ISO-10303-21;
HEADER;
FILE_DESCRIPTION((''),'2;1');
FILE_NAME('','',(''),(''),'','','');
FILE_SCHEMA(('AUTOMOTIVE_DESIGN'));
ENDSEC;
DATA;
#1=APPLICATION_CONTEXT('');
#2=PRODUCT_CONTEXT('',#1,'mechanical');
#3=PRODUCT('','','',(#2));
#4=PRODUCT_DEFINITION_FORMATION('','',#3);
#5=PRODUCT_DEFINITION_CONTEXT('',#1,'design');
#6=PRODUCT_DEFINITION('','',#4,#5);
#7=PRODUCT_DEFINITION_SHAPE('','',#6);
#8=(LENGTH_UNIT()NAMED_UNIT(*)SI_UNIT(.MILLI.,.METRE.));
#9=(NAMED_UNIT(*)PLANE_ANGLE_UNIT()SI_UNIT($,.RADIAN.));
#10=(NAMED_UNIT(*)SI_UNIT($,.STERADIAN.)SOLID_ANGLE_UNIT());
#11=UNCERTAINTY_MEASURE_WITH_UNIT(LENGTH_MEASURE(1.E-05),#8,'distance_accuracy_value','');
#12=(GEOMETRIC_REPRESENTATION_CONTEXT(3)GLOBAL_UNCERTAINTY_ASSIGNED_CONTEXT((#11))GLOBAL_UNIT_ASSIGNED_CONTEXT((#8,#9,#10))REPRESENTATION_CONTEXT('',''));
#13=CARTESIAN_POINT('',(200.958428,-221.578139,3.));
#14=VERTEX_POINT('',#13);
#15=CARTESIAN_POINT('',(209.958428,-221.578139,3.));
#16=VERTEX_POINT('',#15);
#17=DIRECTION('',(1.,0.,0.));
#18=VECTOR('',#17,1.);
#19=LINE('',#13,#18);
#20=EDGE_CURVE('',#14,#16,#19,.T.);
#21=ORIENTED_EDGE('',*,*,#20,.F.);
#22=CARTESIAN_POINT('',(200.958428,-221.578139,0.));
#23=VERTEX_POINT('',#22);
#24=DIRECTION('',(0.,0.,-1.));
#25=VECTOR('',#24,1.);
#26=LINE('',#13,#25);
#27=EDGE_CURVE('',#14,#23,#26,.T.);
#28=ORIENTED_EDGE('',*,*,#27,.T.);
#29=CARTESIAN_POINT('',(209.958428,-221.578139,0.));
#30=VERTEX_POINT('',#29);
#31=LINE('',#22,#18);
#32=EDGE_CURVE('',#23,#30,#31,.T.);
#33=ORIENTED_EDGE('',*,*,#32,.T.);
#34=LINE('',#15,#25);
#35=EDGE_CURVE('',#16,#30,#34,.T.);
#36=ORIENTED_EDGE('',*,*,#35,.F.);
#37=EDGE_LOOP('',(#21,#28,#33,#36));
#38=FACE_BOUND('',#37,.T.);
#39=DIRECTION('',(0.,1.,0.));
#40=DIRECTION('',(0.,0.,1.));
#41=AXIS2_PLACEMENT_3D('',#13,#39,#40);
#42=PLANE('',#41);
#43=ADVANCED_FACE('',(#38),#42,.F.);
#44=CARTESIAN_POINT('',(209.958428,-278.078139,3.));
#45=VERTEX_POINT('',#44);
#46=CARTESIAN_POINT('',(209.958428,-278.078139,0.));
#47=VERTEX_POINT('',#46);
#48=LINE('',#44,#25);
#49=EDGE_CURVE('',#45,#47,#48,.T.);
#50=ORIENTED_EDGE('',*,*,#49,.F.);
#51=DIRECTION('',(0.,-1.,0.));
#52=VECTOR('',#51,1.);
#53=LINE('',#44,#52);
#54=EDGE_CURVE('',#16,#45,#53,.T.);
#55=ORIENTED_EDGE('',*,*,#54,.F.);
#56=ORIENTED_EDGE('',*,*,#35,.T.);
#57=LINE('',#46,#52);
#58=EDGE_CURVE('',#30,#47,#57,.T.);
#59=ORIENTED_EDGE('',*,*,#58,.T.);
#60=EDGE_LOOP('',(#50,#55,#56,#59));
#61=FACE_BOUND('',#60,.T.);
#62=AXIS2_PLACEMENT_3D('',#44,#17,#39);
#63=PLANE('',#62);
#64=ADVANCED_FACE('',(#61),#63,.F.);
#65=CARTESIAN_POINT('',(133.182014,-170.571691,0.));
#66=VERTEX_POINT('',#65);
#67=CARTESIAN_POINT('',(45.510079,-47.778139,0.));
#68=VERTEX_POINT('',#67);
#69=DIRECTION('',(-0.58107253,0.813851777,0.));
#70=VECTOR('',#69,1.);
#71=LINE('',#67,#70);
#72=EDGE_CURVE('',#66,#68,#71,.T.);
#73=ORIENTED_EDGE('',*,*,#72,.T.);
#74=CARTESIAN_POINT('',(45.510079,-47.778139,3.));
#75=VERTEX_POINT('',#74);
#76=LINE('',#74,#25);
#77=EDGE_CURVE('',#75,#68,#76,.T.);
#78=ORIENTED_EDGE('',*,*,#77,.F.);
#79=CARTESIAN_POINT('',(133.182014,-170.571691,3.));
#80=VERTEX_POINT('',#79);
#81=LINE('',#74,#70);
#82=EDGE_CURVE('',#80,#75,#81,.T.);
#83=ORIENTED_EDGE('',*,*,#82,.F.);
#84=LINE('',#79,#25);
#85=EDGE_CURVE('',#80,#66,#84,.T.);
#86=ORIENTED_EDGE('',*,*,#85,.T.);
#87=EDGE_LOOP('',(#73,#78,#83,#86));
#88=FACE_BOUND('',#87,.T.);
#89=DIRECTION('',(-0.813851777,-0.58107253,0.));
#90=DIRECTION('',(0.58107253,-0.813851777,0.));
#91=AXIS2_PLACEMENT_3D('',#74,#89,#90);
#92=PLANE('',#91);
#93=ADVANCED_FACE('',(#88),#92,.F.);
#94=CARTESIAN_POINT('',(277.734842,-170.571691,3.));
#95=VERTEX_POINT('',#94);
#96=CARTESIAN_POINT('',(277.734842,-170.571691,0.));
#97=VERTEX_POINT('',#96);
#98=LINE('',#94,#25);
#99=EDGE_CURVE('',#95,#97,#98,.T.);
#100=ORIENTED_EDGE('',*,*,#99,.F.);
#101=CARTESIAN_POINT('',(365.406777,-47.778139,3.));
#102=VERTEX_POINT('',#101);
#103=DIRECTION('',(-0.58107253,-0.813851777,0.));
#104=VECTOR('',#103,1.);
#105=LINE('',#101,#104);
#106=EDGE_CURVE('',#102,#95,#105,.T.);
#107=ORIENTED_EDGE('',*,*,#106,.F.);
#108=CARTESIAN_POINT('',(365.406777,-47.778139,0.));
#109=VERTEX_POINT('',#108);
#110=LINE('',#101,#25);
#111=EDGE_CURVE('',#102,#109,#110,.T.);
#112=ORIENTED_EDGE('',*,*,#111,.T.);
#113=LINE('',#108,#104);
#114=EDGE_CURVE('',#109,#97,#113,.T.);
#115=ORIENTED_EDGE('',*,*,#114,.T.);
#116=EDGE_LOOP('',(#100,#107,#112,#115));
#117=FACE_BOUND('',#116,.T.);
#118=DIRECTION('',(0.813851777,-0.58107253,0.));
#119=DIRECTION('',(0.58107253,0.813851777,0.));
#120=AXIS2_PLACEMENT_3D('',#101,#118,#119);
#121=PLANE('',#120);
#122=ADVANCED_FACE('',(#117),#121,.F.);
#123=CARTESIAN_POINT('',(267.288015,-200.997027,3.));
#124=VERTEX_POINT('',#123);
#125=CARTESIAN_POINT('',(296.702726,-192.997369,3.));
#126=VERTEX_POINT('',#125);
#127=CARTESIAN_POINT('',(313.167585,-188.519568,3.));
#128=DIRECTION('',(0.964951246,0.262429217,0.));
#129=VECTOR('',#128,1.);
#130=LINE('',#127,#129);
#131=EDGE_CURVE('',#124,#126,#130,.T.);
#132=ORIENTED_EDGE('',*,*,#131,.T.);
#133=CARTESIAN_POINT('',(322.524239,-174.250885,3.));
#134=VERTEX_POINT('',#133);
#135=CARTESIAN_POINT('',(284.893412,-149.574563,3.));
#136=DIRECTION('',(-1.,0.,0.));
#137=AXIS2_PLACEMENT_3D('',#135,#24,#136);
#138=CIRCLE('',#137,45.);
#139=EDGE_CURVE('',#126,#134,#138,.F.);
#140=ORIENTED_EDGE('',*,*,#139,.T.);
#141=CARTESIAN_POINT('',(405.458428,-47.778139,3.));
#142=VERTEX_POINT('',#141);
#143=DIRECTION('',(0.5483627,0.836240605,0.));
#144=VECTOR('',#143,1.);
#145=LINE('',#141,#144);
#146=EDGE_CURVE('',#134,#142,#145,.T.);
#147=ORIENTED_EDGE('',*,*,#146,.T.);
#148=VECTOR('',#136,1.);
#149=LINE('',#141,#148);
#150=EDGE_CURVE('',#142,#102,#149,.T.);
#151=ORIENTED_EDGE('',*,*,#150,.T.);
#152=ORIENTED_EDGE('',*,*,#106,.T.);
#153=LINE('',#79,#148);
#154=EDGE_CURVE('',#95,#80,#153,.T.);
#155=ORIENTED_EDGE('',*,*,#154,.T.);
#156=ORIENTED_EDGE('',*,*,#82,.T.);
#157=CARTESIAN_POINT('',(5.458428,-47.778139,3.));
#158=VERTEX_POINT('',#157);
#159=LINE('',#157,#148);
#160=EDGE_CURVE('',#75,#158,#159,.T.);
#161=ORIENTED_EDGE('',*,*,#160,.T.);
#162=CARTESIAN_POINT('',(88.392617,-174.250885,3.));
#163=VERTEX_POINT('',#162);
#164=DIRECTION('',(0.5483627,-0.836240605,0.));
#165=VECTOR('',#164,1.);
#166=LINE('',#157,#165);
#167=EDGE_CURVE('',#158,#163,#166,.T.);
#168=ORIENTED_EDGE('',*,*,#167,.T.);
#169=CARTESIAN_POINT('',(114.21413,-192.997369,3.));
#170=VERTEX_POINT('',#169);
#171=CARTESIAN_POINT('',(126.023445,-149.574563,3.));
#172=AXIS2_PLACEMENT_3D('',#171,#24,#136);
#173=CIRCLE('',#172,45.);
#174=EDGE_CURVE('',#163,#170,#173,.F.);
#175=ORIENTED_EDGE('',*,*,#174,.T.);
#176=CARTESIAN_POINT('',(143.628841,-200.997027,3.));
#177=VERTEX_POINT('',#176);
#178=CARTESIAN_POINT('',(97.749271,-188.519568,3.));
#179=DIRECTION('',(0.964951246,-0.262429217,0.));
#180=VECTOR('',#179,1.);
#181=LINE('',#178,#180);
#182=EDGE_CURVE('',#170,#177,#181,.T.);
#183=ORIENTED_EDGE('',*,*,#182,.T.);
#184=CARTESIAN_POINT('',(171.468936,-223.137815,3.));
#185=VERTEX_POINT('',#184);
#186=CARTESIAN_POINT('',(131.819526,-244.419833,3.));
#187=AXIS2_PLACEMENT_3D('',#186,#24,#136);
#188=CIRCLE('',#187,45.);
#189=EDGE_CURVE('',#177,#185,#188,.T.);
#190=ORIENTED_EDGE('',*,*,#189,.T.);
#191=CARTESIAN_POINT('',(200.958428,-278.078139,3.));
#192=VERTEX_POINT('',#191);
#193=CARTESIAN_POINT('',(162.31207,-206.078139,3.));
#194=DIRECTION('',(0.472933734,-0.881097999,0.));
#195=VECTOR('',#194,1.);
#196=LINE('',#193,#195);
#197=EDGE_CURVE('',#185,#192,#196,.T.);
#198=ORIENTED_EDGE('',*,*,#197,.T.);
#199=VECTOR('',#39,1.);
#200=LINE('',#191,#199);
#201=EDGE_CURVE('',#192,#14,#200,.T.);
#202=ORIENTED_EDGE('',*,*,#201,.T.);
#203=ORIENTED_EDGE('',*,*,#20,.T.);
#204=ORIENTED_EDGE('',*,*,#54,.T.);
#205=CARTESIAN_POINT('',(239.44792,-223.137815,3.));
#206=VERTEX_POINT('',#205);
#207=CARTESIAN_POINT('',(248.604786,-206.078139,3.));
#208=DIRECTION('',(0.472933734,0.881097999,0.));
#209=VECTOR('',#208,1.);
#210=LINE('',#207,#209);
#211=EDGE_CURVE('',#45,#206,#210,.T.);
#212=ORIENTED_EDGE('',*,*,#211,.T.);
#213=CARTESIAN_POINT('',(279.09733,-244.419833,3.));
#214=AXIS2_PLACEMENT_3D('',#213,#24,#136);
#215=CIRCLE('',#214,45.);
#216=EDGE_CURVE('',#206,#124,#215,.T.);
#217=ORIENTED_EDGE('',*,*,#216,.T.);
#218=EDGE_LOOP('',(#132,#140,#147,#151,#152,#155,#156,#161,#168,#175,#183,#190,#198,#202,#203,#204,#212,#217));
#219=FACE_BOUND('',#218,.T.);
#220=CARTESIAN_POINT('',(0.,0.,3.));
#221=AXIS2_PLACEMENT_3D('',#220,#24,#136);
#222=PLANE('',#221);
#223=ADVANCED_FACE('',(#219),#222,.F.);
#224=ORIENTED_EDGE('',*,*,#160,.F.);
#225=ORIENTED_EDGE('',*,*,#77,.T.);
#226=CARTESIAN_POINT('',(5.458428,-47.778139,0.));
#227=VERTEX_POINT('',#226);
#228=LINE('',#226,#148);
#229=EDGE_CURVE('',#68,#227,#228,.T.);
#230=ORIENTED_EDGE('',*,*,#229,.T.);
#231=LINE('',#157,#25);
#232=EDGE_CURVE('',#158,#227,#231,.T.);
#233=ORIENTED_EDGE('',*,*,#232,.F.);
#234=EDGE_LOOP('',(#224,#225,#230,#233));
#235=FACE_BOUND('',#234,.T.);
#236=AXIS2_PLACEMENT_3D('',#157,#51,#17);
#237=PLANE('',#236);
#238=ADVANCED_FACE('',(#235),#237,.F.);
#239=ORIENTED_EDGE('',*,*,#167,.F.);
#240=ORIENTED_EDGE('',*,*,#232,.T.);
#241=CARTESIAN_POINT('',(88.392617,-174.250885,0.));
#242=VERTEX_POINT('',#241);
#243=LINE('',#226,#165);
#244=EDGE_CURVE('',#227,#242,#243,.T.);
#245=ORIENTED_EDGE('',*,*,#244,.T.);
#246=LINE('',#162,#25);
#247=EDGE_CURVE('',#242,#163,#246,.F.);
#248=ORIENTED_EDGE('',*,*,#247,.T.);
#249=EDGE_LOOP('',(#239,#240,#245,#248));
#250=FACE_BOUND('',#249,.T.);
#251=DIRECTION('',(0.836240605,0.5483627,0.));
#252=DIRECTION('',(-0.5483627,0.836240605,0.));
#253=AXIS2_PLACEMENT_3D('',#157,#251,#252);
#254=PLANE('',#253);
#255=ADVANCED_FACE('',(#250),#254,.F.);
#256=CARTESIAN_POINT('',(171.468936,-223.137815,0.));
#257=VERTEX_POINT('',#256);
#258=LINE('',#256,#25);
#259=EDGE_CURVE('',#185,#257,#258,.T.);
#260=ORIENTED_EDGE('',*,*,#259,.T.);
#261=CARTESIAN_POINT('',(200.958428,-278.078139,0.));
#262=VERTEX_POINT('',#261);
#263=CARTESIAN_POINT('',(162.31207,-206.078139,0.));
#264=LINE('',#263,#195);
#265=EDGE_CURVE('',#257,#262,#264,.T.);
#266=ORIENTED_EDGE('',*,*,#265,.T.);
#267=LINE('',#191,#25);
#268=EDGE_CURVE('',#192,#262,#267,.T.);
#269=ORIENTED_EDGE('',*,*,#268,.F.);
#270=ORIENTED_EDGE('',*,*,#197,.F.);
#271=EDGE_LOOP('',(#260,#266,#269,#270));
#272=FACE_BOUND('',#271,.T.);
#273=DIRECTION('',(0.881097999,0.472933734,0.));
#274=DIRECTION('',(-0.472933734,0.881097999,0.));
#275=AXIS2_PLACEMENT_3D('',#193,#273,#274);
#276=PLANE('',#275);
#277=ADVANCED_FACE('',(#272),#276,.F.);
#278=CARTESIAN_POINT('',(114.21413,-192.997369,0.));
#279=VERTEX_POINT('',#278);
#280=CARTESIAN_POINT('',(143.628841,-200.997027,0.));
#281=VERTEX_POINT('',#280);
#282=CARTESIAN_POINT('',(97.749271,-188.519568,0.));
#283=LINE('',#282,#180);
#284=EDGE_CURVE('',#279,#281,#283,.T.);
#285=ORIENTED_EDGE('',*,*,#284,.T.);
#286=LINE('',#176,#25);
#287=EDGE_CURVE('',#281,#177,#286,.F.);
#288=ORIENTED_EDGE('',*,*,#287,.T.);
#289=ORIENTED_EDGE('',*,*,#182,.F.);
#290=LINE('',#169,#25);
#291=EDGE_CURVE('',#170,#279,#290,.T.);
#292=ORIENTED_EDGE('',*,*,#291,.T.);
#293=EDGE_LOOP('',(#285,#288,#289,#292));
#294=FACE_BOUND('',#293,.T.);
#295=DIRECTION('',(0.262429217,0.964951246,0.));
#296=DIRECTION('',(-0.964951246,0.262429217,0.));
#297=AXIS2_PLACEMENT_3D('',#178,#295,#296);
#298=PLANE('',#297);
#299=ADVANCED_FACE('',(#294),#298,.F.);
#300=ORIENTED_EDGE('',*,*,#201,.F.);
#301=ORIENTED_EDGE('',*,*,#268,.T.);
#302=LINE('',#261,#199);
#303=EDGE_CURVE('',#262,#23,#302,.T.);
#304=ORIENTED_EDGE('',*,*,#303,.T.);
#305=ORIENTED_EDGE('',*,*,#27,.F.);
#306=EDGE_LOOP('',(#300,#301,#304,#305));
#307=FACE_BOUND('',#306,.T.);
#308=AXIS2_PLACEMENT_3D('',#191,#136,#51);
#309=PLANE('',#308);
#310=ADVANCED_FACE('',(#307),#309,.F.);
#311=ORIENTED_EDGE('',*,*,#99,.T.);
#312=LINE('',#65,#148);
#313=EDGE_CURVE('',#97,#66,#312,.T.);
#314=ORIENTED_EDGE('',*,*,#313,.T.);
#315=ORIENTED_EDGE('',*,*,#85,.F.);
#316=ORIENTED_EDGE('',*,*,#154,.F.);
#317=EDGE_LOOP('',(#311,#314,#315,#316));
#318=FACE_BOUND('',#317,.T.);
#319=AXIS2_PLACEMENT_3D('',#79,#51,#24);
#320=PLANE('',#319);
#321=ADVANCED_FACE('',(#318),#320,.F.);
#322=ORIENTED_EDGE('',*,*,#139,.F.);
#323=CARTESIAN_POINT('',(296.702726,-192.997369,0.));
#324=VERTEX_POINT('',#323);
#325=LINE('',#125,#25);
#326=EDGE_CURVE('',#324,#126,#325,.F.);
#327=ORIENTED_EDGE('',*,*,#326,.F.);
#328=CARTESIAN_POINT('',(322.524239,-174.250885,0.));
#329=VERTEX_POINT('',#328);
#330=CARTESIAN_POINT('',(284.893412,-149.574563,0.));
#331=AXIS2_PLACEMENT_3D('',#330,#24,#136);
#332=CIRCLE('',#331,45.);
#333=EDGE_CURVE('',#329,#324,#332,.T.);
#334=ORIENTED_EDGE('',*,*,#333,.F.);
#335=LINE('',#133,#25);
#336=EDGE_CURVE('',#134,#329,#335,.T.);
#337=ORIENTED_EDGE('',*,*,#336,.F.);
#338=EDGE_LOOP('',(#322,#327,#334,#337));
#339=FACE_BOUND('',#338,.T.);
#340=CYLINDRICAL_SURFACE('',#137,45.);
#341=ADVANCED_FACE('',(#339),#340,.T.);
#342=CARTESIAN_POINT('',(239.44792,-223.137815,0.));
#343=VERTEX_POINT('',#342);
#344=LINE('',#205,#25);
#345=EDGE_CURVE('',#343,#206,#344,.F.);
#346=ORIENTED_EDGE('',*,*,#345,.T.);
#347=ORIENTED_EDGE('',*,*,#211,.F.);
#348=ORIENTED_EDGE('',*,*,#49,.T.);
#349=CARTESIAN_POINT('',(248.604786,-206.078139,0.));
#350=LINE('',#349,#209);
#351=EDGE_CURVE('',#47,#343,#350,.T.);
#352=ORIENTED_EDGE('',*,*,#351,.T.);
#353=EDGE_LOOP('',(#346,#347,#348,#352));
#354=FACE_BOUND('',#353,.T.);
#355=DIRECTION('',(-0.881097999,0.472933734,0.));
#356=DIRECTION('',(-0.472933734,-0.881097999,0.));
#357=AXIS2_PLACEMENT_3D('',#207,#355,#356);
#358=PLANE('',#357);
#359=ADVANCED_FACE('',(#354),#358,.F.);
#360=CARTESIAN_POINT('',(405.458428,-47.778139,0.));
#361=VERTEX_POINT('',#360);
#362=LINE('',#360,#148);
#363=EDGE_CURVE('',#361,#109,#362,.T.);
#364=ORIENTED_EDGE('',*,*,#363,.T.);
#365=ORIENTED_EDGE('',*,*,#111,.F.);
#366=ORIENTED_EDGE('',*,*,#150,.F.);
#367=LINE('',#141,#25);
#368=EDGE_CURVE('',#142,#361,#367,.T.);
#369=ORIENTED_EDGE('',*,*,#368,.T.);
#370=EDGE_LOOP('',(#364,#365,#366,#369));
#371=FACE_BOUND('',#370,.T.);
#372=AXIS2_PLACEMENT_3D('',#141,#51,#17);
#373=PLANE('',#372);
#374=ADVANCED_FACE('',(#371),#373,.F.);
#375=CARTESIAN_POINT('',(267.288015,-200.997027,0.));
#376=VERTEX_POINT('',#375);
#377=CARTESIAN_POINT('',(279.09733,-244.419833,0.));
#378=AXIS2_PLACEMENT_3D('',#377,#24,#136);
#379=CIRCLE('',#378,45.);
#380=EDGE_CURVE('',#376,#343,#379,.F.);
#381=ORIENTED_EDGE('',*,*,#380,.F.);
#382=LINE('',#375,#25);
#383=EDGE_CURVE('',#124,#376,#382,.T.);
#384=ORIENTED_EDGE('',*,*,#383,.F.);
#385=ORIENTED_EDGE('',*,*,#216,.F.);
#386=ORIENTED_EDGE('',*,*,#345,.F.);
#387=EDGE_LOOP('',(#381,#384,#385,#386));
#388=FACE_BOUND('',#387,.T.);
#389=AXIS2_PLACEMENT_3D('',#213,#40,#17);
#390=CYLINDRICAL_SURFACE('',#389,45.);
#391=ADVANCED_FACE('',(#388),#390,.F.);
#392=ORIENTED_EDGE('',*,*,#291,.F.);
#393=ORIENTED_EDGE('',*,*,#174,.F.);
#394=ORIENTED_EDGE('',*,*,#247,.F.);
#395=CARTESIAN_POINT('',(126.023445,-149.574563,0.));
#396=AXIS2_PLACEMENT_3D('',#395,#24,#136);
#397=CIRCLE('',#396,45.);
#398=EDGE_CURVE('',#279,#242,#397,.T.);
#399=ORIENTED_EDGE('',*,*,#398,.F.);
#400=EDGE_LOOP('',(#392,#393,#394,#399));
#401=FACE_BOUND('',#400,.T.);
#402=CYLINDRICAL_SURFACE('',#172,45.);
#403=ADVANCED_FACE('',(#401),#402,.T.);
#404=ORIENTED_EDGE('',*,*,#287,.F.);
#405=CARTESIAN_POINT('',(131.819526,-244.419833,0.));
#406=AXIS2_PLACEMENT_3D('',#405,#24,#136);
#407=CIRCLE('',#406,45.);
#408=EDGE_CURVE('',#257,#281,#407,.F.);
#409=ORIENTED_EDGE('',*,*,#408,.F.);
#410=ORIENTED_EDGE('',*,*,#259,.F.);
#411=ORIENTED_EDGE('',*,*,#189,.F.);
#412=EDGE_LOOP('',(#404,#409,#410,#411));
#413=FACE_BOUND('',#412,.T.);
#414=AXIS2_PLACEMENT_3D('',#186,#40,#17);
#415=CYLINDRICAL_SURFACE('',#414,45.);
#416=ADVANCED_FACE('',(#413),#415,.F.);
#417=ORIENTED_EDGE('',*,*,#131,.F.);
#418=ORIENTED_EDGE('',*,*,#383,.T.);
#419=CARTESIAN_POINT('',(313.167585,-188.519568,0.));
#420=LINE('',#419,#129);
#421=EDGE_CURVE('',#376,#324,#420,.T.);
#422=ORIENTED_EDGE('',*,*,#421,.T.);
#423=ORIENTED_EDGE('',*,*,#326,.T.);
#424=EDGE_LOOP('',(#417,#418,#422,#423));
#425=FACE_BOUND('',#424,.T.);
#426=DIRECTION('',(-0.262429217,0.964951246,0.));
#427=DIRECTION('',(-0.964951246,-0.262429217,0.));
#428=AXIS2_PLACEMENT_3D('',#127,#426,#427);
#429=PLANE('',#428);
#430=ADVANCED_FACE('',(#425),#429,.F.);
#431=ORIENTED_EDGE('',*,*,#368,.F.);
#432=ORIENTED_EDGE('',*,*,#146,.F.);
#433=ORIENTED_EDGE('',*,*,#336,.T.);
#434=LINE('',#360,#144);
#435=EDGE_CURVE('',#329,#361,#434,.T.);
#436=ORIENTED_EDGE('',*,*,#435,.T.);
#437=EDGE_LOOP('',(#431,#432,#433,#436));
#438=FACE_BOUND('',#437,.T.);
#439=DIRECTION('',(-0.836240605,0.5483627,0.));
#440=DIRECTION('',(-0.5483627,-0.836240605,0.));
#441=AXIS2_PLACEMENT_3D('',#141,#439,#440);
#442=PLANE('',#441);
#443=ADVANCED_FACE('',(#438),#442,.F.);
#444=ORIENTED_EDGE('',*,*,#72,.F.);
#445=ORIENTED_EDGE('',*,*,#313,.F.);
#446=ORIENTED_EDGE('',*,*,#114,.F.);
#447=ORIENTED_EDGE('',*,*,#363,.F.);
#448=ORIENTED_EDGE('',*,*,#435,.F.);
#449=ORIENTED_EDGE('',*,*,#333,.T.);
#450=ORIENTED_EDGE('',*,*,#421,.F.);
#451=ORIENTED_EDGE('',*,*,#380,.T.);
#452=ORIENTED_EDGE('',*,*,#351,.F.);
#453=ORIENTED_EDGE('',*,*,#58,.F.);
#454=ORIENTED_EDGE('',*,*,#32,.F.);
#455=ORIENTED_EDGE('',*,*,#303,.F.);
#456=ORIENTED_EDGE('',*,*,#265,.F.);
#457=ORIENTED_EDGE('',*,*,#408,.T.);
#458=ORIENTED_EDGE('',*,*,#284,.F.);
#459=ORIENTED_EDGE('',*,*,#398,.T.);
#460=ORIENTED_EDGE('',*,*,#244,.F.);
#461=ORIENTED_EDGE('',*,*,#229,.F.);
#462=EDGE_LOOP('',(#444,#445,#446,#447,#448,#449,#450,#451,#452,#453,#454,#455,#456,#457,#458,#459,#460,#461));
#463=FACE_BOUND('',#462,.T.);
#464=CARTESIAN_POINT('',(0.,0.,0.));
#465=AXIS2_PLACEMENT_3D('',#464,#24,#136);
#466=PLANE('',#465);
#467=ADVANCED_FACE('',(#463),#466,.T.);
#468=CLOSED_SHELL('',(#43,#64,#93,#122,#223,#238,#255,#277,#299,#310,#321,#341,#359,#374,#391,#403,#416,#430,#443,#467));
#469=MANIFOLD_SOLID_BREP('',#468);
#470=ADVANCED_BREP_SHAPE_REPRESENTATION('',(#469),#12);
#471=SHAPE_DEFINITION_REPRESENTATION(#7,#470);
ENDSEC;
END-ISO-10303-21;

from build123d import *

# Parameters (mm, degrees)
BOSS_EXTRU_3_DEPTH = 3
CONG_1_R           = 45


with BuildPart() as part:
    # Esquisse3 → Boss.-Extru.3 (new body)
    with BuildSketch(Plane.XY):
        Polygon((45.510078794, -47.778138889), (133.182013931, -170.571691484), (277.734842334, -170.571691484), (365.406777472, -47.778138889), (405.458428133, -47.778138889), (313.167585376, -188.51956808), (248.604786318, -206.078138889), (209.958428133, -278.078138889), (209.958428133, -221.578138889), (200.958428133, -221.578138889), (200.958428133, -278.078138889), (162.312069948, -206.078138889), (97.749270889, -188.51956808), (5.458428133, -47.778138889), align=None)
    extrude(amount=BOSS_EXTRU_3_DEPTH)

    # Congé1
    cong_1_edges = [part.edges().sort_by_distance(p)[0] for p in [
        (162.312069948, -206.078138889, 1.5),
        (97.749270889, -188.51956808, 1.5),
        (313.167585376, -188.51956808, 1.5),
        (248.604786318, -206.078138889, 1.5),
    ]]
    fillet(cong_1_edges, radius=CONG_1_R)


solid = part.part
